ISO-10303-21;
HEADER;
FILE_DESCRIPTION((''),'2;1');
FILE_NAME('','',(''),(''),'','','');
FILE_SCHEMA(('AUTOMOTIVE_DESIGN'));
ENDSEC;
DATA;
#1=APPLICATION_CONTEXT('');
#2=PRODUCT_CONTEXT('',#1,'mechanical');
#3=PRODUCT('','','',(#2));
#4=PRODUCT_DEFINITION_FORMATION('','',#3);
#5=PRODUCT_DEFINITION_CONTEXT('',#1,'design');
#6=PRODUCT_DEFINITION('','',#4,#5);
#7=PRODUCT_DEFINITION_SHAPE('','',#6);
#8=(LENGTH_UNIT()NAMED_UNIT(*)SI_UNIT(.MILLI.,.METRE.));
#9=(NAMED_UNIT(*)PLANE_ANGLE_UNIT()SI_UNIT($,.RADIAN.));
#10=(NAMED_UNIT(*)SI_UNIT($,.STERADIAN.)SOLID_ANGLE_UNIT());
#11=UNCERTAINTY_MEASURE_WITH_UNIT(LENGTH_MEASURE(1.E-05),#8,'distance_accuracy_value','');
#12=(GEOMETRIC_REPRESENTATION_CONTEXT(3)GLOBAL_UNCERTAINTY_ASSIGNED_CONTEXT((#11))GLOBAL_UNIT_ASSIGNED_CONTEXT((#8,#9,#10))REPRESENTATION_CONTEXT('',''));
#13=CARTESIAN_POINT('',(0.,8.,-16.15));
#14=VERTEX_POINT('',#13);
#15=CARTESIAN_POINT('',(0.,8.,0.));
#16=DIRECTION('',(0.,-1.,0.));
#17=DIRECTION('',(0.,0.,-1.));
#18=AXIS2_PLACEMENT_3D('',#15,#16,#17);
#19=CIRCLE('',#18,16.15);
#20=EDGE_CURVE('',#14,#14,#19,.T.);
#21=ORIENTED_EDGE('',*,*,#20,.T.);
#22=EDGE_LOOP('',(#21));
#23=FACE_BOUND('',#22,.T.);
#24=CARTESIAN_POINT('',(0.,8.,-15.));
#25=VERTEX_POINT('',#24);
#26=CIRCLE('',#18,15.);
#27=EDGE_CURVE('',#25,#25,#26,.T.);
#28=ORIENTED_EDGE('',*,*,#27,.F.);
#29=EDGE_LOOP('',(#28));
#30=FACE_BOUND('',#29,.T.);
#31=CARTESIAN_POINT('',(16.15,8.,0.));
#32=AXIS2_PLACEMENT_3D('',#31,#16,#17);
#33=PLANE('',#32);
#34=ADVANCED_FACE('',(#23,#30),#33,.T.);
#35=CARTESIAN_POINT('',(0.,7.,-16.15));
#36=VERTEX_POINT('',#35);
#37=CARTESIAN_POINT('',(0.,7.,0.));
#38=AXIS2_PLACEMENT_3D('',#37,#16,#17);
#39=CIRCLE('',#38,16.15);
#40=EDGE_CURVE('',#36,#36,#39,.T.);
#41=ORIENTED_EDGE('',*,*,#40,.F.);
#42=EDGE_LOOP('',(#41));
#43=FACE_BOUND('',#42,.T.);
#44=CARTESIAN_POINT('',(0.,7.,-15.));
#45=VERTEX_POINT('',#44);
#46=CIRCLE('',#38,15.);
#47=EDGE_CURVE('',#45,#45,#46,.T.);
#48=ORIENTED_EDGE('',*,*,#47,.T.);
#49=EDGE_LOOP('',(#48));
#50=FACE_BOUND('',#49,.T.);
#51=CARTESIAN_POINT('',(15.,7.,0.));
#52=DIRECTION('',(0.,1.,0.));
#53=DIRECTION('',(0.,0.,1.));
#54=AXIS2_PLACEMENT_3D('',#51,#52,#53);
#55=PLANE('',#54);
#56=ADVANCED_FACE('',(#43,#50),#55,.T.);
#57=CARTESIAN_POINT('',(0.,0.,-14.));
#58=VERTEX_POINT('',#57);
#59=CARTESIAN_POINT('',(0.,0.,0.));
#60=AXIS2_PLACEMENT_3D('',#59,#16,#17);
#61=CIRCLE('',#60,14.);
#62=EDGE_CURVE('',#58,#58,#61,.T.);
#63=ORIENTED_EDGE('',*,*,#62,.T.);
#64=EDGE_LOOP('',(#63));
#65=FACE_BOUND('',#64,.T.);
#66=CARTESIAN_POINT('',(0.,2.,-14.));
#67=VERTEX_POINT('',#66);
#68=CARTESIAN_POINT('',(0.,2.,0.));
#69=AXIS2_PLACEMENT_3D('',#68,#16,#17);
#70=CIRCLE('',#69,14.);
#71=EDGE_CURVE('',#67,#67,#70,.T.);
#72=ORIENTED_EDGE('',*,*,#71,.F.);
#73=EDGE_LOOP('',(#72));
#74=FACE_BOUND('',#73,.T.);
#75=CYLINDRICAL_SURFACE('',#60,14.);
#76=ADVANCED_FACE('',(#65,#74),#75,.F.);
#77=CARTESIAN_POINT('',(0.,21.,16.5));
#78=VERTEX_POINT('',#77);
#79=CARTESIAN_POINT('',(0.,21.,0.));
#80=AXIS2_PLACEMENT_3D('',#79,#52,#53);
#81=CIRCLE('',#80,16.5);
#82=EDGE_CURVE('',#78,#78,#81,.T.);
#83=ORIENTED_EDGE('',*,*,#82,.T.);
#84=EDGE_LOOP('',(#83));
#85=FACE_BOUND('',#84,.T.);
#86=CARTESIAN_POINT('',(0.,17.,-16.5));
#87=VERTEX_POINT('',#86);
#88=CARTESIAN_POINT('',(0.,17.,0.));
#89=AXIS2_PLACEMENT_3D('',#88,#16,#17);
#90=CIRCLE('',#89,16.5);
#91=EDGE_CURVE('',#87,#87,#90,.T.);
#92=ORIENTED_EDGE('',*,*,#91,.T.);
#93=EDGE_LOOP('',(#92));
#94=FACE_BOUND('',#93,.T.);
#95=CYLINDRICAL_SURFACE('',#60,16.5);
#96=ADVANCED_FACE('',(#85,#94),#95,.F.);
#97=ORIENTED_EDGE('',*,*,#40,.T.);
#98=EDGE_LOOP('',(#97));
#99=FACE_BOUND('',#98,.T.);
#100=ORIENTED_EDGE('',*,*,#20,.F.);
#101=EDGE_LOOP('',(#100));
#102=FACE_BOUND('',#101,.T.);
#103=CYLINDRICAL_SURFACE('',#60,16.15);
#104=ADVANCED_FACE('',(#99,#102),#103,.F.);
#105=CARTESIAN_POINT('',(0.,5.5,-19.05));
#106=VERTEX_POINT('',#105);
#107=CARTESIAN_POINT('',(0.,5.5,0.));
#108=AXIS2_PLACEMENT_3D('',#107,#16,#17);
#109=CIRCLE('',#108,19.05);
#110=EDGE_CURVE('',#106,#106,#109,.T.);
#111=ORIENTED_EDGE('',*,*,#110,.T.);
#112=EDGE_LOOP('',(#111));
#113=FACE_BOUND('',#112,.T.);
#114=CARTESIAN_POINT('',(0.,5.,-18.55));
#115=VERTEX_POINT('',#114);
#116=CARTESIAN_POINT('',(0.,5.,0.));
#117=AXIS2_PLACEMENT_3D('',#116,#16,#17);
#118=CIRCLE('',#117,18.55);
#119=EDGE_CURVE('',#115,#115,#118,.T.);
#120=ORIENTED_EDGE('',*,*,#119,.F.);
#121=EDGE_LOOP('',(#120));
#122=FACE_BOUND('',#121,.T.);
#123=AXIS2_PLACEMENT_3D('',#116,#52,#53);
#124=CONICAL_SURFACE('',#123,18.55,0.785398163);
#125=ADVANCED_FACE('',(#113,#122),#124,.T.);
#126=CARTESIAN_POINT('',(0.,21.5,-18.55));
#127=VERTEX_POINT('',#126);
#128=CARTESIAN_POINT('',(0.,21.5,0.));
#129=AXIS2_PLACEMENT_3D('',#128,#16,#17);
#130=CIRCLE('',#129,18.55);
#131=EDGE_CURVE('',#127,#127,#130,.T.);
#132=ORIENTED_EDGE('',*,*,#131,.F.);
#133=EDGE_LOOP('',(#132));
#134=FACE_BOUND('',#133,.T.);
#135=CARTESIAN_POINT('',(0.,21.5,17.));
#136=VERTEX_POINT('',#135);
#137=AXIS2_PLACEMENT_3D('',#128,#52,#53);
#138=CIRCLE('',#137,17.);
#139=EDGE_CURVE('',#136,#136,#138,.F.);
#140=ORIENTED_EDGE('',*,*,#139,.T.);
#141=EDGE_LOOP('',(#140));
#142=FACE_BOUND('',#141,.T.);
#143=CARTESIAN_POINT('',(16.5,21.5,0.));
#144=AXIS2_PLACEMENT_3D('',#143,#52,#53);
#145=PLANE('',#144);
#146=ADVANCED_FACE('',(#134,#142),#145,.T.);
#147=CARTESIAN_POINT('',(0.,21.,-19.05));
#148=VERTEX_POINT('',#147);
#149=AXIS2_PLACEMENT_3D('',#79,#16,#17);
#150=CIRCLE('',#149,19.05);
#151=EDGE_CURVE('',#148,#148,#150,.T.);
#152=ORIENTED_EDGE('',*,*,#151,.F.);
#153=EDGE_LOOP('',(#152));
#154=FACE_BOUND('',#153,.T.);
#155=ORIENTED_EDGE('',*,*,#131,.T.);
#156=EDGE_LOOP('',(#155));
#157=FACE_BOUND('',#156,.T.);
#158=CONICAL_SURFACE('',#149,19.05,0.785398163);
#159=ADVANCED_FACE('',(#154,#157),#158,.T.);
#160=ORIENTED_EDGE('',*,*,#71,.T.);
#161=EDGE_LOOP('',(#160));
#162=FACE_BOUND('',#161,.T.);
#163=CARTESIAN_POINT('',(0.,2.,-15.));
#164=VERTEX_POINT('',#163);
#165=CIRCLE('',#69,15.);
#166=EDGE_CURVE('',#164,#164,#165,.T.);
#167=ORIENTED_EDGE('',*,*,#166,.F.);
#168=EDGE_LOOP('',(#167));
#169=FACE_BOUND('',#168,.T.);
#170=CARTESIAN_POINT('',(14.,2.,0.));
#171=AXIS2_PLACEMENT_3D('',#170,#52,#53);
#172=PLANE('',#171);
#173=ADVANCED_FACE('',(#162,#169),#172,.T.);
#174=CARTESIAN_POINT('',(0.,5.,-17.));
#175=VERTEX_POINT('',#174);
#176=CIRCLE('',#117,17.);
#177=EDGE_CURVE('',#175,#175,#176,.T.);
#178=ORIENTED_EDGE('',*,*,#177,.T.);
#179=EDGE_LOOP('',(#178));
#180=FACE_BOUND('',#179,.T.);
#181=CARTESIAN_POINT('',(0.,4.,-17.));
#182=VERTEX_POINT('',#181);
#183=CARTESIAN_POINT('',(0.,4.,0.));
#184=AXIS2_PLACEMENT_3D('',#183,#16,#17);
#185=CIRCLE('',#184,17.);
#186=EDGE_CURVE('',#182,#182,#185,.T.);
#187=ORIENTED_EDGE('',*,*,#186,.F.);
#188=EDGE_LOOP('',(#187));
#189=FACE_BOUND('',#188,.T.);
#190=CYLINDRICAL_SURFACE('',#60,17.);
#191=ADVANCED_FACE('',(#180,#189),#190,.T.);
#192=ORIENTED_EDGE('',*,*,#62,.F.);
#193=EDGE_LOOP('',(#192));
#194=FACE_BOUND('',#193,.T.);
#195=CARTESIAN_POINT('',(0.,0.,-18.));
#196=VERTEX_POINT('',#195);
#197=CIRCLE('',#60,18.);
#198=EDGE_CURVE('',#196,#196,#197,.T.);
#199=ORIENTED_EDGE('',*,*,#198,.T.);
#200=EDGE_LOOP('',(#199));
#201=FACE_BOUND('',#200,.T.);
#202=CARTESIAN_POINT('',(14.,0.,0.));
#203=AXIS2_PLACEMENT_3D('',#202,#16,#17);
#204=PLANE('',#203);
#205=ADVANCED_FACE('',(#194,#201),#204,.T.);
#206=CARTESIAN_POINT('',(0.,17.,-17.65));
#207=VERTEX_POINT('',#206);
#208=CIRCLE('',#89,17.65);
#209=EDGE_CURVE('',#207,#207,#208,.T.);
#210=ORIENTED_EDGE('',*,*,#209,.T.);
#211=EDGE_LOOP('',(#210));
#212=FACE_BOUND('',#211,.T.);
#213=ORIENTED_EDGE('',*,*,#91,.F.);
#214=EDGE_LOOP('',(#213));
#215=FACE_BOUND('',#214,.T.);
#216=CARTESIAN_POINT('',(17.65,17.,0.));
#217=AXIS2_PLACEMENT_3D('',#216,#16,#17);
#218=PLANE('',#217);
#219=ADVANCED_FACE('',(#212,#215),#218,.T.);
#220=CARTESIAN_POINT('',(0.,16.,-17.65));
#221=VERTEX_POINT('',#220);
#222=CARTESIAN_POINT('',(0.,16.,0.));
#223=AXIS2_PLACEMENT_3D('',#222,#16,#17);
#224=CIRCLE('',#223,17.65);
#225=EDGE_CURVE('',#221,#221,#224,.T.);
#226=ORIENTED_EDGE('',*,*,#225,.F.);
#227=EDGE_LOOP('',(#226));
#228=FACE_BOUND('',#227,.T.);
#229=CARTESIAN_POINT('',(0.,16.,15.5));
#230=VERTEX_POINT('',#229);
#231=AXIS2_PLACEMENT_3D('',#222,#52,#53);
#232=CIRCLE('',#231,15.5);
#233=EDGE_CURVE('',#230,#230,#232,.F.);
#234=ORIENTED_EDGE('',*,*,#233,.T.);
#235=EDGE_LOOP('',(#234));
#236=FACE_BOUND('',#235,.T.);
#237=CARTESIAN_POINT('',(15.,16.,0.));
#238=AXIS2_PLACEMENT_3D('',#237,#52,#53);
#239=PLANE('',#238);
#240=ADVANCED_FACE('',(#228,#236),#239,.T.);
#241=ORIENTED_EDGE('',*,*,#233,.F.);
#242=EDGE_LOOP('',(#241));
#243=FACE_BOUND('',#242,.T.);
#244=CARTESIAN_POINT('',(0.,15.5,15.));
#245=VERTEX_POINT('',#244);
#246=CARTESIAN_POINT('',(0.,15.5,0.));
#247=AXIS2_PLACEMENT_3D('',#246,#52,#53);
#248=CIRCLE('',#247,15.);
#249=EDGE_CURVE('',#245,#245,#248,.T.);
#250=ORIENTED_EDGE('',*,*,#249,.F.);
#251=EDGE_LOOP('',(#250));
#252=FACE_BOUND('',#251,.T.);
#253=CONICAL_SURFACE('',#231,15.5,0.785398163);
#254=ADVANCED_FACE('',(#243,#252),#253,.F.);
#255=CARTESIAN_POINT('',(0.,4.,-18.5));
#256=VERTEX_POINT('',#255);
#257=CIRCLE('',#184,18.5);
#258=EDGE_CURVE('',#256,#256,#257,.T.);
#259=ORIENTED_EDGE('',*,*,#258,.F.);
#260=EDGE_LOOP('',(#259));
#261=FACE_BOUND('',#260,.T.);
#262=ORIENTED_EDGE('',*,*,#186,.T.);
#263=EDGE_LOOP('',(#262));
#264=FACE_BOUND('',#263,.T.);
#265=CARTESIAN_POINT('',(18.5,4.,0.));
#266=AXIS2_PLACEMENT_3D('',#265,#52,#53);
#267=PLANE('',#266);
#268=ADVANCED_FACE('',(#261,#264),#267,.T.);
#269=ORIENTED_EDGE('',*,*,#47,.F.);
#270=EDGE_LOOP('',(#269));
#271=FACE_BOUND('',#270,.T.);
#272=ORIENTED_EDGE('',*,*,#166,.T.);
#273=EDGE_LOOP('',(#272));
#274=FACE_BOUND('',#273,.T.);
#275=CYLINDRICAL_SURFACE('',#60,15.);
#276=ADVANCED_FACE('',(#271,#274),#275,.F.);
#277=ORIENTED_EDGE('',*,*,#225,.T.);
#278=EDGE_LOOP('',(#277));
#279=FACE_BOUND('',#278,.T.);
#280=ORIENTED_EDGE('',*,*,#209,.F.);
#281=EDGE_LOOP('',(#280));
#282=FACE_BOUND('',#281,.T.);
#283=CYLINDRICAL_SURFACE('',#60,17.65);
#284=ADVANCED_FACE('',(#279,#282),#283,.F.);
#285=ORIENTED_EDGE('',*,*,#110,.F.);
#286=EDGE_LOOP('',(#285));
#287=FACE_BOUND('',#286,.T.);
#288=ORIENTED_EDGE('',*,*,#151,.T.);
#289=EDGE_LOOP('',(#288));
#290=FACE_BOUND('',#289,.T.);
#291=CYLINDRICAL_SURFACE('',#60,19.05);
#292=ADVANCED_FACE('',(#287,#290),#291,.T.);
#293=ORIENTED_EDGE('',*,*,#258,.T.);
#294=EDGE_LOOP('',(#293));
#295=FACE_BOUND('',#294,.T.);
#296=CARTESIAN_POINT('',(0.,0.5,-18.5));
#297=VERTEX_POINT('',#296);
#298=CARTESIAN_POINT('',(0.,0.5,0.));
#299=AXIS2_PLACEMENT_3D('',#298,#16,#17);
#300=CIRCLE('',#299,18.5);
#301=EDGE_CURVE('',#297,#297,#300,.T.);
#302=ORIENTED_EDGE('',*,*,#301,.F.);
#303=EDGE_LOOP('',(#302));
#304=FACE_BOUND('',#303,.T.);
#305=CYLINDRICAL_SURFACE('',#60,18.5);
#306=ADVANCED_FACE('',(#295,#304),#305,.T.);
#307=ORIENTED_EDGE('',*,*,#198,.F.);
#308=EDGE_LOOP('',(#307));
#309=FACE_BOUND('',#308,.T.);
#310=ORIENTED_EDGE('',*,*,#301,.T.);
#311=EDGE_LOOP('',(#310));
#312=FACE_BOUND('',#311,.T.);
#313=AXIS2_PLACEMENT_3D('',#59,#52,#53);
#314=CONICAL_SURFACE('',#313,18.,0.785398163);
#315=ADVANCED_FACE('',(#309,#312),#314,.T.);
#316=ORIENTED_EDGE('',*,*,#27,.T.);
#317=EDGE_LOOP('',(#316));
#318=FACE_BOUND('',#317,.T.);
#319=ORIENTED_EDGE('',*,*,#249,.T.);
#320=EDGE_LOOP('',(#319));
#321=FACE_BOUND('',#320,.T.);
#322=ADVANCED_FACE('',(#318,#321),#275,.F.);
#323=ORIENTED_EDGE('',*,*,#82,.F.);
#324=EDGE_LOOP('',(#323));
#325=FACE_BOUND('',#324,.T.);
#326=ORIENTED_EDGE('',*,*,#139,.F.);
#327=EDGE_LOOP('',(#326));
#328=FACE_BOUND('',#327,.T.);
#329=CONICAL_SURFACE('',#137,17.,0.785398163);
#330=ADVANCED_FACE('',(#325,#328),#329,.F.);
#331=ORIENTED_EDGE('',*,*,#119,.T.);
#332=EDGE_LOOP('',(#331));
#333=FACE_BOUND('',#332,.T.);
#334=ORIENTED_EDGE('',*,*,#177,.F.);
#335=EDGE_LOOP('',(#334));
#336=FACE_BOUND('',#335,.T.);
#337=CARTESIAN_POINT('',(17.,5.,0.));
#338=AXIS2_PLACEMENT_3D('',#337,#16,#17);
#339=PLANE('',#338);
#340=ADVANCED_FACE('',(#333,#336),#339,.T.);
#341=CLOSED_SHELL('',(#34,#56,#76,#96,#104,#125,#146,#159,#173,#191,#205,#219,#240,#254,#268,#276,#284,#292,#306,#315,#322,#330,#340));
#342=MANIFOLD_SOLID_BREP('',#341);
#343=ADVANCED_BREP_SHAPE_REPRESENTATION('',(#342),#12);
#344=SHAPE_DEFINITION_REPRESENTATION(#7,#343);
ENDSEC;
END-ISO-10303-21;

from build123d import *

# Parameters (mm, degrees)
CHAMFER_1_SIZE = 0.5


with BuildPart() as part:
    # 草图1 → 旋转1 (revolve)
    with BuildSketch(Plane.XY, mode=Mode.PRIVATE) as revolve_1_sk:
        Polygon((14, 0), (14, 2), (15, 2), (15, 7), (16.15, 7), (16.15, 8), (15, 8), (15, 16), (17.65, 16), (17.65, 17), (16.5, 17), (16.5, 21.5), (18.55, 21.5), (19.05, 21), (19.05, 5.5), (18.55, 5), (17, 5), (17, 4), (18.5, 4), (18.5, 0.5), (18, 0), align=None)
    revolve(revolve_1_sk.sketch.rotate(Axis((0, 0, 0), (0, 1, 0)), 90), axis=Axis((0, 0, 0), (0, 1, 0)))  # turned: the seam where the file's is

    # 倒角1
    chamfer_1_edges = [part.edges().sort_by_distance(p)[0] for p in [
        (0, 16, 15),
        (0, 21.5, 16.5),
    ]]
    chamfer(chamfer_1_edges, length=CHAMFER_1_SIZE)


solid = part.part
